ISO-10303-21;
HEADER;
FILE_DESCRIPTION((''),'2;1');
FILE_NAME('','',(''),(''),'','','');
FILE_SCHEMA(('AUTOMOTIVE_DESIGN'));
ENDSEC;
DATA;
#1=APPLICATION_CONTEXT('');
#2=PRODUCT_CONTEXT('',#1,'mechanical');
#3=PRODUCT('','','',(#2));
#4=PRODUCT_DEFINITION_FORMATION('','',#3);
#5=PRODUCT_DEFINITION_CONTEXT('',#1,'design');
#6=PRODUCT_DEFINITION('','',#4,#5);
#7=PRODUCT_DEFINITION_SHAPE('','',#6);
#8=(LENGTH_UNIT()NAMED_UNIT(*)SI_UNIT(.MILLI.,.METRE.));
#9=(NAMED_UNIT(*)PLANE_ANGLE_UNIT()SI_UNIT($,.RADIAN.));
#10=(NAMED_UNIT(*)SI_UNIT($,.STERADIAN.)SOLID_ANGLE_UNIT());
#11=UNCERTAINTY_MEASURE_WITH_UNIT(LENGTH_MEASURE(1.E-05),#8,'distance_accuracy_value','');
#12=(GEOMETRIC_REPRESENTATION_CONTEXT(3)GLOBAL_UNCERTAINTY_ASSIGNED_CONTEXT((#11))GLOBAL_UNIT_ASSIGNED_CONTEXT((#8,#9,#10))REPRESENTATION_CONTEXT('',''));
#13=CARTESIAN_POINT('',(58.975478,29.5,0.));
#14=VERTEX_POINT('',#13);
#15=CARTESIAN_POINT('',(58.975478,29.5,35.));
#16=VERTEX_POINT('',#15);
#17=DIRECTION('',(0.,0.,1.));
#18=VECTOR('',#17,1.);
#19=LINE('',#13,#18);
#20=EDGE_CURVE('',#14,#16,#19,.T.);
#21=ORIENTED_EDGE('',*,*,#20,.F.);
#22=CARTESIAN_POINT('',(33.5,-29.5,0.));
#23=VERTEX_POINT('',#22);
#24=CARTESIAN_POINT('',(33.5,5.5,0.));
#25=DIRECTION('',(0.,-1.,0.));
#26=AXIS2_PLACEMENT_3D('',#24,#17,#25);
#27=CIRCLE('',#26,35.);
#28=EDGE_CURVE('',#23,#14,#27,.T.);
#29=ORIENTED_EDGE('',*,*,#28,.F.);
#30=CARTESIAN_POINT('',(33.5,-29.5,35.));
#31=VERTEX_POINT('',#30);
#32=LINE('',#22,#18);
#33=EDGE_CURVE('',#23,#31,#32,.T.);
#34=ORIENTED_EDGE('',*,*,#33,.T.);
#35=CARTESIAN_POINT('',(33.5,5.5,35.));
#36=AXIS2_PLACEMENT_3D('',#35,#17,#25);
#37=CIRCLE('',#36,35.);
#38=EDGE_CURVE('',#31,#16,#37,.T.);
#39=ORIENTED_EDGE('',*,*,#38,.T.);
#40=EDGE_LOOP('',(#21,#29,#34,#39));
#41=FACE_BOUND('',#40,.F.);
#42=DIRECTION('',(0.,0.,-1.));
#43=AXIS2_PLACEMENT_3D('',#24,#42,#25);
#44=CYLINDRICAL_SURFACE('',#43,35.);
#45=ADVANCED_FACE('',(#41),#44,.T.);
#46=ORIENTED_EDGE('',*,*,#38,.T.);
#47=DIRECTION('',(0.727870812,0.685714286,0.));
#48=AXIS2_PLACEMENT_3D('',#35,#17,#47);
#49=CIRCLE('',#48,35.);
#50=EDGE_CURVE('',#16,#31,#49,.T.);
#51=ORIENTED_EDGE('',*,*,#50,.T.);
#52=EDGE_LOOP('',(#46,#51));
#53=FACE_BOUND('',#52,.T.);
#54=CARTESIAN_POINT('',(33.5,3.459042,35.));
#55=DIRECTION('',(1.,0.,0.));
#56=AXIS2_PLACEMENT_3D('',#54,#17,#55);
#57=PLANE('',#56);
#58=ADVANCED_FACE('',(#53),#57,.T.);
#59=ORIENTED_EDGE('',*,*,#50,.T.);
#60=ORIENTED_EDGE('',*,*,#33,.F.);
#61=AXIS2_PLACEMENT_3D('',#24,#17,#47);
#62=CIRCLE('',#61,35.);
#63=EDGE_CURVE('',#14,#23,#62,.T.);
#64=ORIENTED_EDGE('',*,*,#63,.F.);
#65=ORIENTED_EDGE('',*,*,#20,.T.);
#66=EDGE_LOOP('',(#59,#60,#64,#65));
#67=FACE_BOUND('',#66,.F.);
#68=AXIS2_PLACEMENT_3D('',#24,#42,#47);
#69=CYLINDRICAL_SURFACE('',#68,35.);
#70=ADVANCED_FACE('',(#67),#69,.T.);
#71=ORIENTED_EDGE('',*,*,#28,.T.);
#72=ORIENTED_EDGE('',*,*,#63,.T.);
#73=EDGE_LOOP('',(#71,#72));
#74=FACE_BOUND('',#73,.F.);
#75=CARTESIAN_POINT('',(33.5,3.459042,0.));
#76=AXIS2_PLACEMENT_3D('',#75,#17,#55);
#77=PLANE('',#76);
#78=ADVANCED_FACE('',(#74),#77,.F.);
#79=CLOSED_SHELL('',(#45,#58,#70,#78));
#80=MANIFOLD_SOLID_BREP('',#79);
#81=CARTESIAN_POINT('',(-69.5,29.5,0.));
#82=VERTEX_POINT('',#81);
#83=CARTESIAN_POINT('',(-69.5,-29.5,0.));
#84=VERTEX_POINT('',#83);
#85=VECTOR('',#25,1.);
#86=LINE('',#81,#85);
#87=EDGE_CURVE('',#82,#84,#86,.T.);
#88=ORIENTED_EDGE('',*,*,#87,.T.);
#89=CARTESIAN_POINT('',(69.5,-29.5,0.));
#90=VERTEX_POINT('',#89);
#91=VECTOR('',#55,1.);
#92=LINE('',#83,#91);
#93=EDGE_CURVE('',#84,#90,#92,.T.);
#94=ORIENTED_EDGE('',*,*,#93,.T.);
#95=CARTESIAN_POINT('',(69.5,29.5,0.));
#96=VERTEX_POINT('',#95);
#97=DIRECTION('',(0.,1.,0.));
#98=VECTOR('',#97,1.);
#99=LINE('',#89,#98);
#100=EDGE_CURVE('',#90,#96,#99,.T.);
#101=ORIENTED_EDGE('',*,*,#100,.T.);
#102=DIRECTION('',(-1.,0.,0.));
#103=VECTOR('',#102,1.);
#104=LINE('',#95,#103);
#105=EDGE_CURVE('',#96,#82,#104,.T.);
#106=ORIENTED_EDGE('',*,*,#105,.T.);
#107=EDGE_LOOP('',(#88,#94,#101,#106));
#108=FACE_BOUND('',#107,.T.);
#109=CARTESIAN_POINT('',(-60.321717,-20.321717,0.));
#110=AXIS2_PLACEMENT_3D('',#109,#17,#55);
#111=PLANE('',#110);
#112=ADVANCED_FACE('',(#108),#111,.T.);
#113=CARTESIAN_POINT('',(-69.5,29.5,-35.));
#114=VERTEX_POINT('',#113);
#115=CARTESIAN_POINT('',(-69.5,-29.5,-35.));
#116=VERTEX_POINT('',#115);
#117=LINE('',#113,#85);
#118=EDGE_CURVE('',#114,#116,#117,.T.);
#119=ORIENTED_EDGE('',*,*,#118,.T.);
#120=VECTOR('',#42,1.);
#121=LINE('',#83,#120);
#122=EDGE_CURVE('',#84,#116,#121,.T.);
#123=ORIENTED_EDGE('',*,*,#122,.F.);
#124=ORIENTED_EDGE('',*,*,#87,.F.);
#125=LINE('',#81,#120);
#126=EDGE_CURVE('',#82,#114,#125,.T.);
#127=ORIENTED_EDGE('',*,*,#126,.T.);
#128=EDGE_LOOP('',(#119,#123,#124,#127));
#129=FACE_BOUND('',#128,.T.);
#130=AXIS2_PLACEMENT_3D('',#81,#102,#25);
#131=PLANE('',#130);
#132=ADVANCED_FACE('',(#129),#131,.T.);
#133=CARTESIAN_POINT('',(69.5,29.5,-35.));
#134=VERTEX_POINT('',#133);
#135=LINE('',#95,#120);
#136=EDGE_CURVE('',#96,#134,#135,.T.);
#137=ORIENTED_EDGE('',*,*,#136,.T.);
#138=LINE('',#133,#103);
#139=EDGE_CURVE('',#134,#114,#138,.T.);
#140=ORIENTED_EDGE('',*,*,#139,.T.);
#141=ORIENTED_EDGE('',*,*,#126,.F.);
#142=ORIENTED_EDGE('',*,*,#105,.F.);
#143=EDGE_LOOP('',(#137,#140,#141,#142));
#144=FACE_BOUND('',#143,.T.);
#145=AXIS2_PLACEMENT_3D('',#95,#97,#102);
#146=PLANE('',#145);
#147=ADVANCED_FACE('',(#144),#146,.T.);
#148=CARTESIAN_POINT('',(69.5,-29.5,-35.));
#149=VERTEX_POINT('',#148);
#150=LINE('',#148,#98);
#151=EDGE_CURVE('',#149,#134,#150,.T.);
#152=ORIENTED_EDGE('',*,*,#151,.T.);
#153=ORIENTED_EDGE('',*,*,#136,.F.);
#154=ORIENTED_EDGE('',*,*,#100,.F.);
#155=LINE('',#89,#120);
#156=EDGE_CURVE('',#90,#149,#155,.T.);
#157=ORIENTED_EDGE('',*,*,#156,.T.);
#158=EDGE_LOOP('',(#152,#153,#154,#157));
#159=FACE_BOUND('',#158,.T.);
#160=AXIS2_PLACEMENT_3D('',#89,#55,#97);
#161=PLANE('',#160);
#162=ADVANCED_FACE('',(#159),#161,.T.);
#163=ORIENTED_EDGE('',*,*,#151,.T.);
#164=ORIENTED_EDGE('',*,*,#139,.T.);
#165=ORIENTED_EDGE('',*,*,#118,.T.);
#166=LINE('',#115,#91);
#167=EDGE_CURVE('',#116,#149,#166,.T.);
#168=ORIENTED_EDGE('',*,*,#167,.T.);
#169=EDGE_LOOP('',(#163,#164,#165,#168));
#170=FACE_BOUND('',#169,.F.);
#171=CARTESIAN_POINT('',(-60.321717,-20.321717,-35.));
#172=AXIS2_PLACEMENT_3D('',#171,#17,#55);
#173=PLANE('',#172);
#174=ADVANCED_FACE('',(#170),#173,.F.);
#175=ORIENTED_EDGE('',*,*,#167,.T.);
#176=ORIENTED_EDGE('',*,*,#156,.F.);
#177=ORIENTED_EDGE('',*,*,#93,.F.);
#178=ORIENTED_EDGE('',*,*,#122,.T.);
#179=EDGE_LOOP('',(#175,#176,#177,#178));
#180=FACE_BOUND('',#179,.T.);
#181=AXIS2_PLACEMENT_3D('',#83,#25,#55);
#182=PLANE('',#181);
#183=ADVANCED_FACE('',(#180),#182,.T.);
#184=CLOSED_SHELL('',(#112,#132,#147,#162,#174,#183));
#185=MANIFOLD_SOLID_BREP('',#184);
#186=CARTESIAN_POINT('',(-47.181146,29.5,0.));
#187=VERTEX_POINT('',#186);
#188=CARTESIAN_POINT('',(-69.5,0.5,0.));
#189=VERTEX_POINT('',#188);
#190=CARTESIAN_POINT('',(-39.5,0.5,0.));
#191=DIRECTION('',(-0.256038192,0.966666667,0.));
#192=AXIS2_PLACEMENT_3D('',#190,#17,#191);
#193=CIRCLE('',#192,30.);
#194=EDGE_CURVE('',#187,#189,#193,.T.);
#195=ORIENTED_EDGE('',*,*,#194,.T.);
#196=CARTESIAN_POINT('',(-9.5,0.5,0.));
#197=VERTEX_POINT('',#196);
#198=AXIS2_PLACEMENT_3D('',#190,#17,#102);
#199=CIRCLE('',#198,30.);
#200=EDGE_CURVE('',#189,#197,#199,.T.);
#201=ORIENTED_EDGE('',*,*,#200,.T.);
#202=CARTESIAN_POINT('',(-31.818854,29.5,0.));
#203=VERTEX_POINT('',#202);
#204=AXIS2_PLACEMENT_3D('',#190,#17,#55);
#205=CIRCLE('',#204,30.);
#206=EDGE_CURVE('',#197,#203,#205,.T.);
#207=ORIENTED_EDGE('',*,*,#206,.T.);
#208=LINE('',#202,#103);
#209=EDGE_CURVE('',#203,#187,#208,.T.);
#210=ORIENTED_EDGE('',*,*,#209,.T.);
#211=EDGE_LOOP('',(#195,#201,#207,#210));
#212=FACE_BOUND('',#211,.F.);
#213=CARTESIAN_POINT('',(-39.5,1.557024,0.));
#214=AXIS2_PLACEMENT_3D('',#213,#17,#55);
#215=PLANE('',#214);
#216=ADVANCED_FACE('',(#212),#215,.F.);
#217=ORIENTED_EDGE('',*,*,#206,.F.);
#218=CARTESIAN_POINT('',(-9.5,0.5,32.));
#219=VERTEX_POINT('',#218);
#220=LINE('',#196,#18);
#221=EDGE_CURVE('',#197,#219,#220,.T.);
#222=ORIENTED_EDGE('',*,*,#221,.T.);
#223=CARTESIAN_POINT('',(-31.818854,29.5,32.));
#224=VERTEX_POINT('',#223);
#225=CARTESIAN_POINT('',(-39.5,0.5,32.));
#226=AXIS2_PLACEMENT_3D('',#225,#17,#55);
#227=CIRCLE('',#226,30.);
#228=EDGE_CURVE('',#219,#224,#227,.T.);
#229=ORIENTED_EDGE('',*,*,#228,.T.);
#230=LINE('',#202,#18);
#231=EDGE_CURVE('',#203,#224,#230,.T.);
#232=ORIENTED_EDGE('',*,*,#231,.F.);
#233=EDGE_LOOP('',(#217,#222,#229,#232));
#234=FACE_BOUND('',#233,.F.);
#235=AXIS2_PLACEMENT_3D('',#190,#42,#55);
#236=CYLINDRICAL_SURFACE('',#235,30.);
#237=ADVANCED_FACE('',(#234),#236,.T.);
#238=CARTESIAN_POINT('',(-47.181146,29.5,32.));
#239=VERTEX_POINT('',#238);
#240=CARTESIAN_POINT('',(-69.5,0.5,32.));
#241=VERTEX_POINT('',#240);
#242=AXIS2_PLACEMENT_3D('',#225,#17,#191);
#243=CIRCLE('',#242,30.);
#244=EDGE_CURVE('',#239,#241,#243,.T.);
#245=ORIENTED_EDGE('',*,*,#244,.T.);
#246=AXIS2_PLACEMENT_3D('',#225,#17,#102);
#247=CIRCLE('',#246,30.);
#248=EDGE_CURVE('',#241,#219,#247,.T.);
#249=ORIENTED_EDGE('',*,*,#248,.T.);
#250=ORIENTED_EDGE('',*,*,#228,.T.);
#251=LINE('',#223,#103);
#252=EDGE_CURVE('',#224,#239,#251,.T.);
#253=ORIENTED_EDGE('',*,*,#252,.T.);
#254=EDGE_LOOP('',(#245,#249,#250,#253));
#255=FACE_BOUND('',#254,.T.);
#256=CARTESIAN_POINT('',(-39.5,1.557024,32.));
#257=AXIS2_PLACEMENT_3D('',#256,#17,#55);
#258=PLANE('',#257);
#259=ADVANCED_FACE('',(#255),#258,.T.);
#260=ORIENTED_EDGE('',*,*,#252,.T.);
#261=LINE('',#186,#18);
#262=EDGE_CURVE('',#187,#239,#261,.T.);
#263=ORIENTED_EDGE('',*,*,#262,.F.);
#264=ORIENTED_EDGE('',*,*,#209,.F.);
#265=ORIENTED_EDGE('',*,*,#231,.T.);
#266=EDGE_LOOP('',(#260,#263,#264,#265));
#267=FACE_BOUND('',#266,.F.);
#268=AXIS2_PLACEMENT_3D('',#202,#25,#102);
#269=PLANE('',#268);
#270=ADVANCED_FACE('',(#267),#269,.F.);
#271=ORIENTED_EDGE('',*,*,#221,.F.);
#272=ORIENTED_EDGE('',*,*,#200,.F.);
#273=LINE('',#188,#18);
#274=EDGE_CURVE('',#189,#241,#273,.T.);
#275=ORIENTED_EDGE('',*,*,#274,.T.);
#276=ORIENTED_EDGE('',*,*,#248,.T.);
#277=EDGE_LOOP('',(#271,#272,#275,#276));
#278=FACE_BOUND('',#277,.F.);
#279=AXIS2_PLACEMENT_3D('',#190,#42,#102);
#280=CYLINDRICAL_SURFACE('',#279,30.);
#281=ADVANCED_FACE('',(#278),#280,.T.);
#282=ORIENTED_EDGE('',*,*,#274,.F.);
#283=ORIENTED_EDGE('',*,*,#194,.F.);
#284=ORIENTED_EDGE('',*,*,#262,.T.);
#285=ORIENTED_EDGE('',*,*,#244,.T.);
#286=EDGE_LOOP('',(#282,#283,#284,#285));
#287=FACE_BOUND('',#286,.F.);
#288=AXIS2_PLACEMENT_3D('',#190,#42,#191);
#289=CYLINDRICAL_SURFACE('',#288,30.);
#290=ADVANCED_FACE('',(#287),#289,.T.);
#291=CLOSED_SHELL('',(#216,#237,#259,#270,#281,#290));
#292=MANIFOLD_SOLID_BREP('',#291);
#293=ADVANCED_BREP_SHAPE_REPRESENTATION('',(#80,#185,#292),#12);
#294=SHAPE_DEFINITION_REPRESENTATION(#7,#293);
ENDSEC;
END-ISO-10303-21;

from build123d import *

# Parameters (mm, degrees)
F1_DEPTH = 35
F2_DEPTH = 32
F3_DEPTH = 35


with BuildPart() as f1:
    # F0 (on Top) → F1 (new body)
    with BuildSketch(Plane.XY):
        with BuildLine():
            ThreePointArc((8.0245215943, 29.5), (1.3674619739, -8.3744369255), (33.5, -29.5))
            ThreePointArc((33.5, -29.5), (58.2487373415, -19.2487373415), (68.5, 5.5))
            ThreePointArc((68.5, 5.5), (66.0318439702, 18.4104270998), (58.9754784057, 29.5))
            Line((58.9754784057, 29.5), (8.0245215943, 29.5))
        make_face()
        with BuildLine():
            ThreePointArc((58.9754784057, 29.5), (33.5, 40.5), (8.0245215943, 29.5))
            Line((8.0245215943, 29.5), (58.9754784057, 29.5))
        make_face()
    extrude(amount=F1_DEPTH)


with BuildPart() as f2:
    # F0 (on Top) → F2 (new body)
    with BuildSketch(Plane.XY):
        with BuildLine():
            ThreePointArc((-69.5, 0.5), (-60.7132034356, -20.7132034356), (-39.5, -29.5))
            ThreePointArc((-39.5, -29.5), (-18.2867965644, -20.7132034356), (-9.5, 0.5))
            ThreePointArc((-9.5, 0.5), (-15.7257032445, 18.7970711804), (-31.8188542521, 29.5))
            Line((-31.8188542521, 29.5), (-47.1811457479, 29.5))
            ThreePointArc((-47.1811457479, 29.5), (-63.2742967555, 18.7970711804), (-69.5, 0.5))
        make_face()
    extrude(amount=F2_DEPTH)


with BuildPart() as f3:
    # F0 (on Top) → F3 (new body)
    with BuildSketch(Plane.XY):
        with BuildLine():
            Line((-69.5, -29.5), (-39.5, -29.5))
            ThreePointArc((-39.5, -29.5), (-60.7132034356, -20.7132034356), (-69.5, 0.5))
            Line((-69.5, 0.5), (-69.5, -29.5))
        make_face()
        with BuildLine():
            Line((-69.5, 29.5), (-69.5, 0.5))
            ThreePointArc((-69.5, 0.5), (-63.2742967555, 18.7970711804), (-47.1811457479, 29.5))
            Line((-47.1811457479, 29.5), (-69.5, 29.5))
        make_face()
        with BuildLine():
            ThreePointArc((-69.5, 0.5), (-60.7132034356, -20.7132034356), (-39.5, -29.5))
            ThreePointArc((-39.5, -29.5), (-18.2867965644, -20.7132034356), (-9.5, 0.5))
            ThreePointArc((-9.5, 0.5), (-15.7257032445, 18.7970711804), (-31.8188542521, 29.5))
            Line((-31.8188542521, 29.5), (-47.1811457479, 29.5))
            ThreePointArc((-47.1811457479, 29.5), (-63.2742967555, 18.7970711804), (-69.5, 0.5))
        make_face()
        with BuildLine():
            ThreePointArc((8.0245215943, 29.5), (1.3674619739, -8.3744369255), (33.5, -29.5))
            ThreePointArc((33.5, -29.5), (58.2487373415, -19.2487373415), (68.5, 5.5))
            ThreePointArc((68.5, 5.5), (66.0318439702, 18.4104270998), (58.9754784057, 29.5))
            Line((58.9754784057, 29.5), (8.0245215943, 29.5))
        make_face()
        with BuildLine():
            Line((33.5, -29.5), (69.5, -29.5))
            Line((69.5, -29.5), (69.5, 29.5))
            Line((69.5, 29.5), (58.9754784057, 29.5))
            ThreePointArc((58.9754784057, 29.5), (66.0318439702, 18.4104270998), (68.5, 5.5))
            ThreePointArc((68.5, 5.5), (58.2487373415, -19.2487373415), (33.5, -29.5))
        make_face()
        with BuildLine():
            Line((-39.5, -29.5), (33.5, -29.5))
            ThreePointArc((33.5, -29.5), (1.3674619739, -8.3744369255), (8.0245215943, 29.5))
            Line((8.0245215943, 29.5), (-31.8188542521, 29.5))
            ThreePointArc((-31.8188542521, 29.5), (-15.7257032445, 18.7970711804), (-9.5, 0.5))
            ThreePointArc((-9.5, 0.5), (-18.2867965644, -20.7132034356), (-39.5, -29.5))
        make_face()
    extrude(amount=-F3_DEPTH)


solid = Compound([f1.part, f2.part, f3.part])
